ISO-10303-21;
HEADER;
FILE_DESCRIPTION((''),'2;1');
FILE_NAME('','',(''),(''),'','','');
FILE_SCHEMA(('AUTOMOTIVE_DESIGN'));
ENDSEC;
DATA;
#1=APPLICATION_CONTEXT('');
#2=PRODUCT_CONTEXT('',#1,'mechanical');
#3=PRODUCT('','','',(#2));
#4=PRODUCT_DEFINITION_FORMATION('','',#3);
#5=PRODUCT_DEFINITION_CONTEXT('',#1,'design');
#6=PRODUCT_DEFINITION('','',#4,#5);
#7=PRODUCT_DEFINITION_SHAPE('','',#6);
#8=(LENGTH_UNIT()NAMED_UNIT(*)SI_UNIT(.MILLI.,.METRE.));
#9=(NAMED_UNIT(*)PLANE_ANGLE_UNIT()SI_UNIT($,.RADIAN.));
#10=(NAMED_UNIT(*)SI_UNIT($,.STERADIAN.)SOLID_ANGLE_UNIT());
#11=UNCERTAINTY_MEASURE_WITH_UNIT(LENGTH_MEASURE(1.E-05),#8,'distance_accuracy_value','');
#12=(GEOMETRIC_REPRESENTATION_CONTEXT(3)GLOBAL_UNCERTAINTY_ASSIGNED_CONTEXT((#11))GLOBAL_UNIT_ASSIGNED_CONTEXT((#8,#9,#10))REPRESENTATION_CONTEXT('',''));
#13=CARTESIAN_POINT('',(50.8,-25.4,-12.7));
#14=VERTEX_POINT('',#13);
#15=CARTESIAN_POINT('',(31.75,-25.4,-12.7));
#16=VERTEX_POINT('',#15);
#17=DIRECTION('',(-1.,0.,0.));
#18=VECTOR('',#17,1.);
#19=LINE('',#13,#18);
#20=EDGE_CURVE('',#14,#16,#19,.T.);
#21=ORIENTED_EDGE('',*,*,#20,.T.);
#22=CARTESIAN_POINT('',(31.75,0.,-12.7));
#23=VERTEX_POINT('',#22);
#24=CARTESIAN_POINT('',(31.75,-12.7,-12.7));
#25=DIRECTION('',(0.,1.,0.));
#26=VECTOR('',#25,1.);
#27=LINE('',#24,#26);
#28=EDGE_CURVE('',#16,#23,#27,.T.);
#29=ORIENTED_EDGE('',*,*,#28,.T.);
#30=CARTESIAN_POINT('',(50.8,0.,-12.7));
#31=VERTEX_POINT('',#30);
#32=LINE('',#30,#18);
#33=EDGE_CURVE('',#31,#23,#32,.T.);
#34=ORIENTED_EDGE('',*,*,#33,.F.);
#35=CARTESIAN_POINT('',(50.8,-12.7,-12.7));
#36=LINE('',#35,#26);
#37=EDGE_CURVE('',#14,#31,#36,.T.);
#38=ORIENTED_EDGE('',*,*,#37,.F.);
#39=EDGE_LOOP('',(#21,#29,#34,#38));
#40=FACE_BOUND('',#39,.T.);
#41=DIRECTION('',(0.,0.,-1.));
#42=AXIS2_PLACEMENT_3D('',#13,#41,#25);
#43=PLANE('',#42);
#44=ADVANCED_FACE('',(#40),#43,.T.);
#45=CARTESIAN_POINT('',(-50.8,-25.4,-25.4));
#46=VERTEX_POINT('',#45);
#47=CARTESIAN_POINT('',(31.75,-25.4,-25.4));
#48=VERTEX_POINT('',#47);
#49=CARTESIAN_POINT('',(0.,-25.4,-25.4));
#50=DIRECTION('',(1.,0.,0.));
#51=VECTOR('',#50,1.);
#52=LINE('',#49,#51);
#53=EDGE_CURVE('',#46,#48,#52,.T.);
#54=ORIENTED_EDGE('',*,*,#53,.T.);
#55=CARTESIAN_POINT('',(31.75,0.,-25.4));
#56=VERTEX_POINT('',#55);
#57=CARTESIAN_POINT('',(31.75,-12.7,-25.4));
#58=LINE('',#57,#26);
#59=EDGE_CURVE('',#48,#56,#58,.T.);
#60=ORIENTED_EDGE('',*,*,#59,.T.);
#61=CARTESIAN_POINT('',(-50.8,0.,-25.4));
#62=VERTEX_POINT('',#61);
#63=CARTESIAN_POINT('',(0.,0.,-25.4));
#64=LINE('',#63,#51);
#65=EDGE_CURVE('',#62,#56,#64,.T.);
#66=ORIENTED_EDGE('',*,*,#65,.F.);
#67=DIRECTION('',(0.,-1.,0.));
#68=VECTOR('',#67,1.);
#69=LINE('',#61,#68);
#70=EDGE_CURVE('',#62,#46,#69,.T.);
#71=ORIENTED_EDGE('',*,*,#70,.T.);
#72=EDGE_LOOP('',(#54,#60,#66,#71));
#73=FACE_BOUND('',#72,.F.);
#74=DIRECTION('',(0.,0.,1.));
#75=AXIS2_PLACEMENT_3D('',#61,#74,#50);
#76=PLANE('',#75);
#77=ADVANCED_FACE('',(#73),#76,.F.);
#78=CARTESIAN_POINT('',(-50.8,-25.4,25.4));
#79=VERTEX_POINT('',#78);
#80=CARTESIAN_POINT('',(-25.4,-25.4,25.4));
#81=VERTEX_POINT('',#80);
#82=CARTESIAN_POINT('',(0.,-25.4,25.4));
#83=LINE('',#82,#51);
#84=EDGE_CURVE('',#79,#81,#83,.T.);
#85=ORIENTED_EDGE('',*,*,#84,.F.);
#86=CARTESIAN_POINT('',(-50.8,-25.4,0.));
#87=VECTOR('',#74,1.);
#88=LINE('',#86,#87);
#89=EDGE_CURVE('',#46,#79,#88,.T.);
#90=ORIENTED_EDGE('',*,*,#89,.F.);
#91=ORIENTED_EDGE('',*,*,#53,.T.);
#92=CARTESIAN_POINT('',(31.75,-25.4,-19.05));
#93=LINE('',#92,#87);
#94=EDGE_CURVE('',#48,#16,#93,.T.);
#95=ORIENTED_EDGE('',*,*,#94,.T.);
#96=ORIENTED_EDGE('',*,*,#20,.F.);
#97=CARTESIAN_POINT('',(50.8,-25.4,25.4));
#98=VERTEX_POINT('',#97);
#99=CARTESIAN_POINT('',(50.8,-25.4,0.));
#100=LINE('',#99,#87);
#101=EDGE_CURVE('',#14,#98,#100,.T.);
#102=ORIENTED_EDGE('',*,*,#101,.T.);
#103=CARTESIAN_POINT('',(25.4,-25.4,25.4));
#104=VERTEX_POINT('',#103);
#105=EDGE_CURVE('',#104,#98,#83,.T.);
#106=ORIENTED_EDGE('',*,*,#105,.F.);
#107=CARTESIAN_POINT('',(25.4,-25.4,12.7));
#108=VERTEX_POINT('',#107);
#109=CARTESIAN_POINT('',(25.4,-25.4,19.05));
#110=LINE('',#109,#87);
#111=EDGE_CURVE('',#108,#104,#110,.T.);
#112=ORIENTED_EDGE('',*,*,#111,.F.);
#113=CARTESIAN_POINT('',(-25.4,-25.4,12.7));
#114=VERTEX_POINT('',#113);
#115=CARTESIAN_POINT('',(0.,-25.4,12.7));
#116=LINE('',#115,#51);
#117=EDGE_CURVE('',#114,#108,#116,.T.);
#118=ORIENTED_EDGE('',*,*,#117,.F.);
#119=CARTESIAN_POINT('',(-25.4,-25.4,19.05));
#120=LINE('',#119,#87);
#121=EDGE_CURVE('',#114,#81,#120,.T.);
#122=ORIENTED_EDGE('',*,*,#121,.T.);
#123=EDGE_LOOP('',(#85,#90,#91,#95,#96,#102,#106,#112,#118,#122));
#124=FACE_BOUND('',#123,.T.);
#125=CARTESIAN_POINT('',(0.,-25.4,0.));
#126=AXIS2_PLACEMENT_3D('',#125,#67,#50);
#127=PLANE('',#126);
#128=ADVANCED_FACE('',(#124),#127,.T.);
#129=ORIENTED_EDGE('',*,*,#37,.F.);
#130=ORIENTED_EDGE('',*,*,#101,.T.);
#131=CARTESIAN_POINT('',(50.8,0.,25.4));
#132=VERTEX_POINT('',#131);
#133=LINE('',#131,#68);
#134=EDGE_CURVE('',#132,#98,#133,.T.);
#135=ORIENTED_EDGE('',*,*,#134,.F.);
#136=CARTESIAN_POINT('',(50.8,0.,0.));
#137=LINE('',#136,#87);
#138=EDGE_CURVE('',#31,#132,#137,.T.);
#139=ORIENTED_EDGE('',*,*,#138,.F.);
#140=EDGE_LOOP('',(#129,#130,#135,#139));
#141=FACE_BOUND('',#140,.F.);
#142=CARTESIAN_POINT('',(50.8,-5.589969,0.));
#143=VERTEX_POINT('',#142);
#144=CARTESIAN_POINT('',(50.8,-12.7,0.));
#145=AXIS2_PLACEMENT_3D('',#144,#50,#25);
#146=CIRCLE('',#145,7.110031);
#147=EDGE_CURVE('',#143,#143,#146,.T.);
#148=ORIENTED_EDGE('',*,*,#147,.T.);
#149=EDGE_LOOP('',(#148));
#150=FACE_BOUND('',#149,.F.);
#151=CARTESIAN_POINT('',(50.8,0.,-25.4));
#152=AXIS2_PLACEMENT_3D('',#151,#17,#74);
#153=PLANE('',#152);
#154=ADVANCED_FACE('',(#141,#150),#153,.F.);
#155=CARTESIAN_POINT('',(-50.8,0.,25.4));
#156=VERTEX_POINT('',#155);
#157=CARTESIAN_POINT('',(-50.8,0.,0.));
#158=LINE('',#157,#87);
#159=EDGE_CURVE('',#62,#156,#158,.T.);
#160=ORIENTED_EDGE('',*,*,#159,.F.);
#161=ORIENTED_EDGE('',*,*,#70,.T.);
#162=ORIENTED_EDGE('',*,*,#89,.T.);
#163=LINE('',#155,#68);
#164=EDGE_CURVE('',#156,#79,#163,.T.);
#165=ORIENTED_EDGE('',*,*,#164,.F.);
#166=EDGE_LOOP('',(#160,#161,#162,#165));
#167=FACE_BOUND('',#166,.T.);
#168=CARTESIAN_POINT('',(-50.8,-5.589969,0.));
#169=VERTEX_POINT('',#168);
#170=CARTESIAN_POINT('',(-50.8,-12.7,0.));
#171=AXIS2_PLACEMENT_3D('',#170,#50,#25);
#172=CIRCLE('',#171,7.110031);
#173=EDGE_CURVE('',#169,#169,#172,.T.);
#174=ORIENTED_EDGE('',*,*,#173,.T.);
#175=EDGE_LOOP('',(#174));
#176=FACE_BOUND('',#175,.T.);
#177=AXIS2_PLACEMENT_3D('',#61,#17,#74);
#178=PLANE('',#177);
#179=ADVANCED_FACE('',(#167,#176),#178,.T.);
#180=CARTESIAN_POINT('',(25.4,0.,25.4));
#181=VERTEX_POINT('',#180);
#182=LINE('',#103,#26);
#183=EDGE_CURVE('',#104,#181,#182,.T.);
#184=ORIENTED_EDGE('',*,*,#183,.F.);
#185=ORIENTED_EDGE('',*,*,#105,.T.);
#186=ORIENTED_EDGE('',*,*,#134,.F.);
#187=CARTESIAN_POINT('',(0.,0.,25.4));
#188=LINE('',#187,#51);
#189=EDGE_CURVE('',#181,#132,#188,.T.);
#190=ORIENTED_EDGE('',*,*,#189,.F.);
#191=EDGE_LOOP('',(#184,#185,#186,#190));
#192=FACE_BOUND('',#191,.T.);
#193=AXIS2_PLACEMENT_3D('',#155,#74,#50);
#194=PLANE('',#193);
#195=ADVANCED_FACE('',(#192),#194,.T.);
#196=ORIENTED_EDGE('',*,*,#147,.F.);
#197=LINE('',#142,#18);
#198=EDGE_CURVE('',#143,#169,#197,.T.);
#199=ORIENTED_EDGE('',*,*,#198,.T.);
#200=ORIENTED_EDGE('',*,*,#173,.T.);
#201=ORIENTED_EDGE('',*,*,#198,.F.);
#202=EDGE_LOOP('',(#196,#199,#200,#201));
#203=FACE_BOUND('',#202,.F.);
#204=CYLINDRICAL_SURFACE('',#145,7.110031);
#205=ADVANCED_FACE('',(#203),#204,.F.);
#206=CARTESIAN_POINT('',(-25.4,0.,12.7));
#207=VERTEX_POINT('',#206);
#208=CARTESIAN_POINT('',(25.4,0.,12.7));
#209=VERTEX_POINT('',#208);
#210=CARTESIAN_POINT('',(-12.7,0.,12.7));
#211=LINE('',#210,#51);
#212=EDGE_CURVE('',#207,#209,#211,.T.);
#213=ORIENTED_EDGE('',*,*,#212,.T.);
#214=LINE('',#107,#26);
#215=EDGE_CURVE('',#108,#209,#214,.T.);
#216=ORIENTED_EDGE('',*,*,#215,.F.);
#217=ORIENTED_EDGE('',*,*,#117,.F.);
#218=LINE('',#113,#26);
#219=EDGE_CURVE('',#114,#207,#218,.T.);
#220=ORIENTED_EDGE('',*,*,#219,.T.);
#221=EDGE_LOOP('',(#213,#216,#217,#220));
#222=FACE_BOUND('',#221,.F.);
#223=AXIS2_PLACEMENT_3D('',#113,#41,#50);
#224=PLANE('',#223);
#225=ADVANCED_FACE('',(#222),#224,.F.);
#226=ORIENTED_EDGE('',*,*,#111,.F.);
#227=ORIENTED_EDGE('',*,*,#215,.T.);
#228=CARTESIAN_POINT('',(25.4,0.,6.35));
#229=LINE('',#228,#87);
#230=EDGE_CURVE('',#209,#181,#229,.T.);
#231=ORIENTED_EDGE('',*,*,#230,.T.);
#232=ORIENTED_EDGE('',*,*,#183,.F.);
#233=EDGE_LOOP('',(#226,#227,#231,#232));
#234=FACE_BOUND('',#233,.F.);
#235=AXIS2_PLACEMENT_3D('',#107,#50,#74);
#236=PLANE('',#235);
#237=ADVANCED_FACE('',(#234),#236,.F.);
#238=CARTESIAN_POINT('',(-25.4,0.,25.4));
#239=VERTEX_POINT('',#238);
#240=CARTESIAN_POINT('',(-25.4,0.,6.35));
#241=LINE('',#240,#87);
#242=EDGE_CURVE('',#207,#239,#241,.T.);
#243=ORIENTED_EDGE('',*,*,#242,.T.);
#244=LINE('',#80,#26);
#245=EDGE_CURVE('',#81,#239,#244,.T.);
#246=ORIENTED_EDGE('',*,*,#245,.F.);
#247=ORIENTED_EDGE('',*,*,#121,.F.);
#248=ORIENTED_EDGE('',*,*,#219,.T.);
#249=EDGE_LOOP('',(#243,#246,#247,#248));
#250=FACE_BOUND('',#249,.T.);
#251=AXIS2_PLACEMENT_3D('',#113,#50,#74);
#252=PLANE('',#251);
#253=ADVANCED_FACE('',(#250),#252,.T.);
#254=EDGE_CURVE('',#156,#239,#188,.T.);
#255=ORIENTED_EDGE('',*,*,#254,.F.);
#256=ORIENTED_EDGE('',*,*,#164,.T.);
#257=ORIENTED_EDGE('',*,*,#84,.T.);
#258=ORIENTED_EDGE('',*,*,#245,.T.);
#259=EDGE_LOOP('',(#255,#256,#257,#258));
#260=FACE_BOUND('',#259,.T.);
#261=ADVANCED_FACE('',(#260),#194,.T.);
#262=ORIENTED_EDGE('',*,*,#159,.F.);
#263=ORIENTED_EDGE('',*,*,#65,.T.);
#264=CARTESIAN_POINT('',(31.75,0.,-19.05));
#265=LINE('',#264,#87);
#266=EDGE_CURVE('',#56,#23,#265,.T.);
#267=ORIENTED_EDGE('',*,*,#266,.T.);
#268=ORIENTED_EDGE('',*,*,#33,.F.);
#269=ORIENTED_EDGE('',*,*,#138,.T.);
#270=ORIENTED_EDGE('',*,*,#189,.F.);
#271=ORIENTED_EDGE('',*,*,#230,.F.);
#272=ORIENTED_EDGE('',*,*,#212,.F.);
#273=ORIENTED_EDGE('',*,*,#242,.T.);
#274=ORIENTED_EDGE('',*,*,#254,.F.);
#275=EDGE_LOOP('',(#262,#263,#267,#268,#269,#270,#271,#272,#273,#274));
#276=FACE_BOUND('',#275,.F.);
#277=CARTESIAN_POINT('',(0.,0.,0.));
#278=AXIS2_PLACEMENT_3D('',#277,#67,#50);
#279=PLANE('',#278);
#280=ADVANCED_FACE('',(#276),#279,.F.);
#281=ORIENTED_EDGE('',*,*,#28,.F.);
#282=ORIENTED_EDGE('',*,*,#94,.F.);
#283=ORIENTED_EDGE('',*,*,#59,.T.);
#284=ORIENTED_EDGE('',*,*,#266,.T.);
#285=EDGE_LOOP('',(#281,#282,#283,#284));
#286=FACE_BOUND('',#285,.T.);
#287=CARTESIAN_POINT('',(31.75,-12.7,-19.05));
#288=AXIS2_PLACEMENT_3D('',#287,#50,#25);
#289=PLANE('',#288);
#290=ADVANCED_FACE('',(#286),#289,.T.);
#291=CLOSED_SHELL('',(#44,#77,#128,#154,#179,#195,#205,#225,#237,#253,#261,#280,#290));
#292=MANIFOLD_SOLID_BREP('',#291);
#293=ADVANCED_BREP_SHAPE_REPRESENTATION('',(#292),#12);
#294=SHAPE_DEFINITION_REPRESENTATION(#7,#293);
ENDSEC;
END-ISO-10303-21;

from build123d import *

# Parameters (mm, degrees)
F0_W     = 101.6
F0_H     = 50.8
F1_DEPTH = 25.4
F2_W     = 50.8
F2_H     = 12.7
F3_DEPTH = 25.401
F4_W     = 25.4
F4_H     = 12.7
F5_DEPTH = 19.05
F6_R     = 7.110031
F7_DEPTH = 101.601


with BuildPart() as f1:
    # F0 (on Front) → F1 (new body)
    with BuildSketch(Plane.XZ):
        Rectangle(F0_W, F0_H)
    extrude(amount=F1_DEPTH)

    # F2 (on face) → F3 (cut, through all)
    with BuildSketch(Plane.XZ.offset(25.4)):
        with Locations((0, 19.05)):
            Rectangle(F2_W, F2_H)
    extrude(amount=-F3_DEPTH, mode=Mode.SUBTRACT)

    # F4 (on face) → F5 (cut)
    with BuildSketch(Plane.YZ.offset(50.8)):
        with Locations((-12.7, -19.05)):
            Rectangle(F4_W, F4_H)
    extrude(amount=-F5_DEPTH, mode=Mode.SUBTRACT)

    # F6 (on face) → F7 (cut, through all)
    with BuildSketch(Plane.YZ.offset(50.8)):
        with Locations((-12.7, 0)):
            Circle(F6_R)
    extrude(amount=-F7_DEPTH, mode=Mode.SUBTRACT)


solid = f1.part
